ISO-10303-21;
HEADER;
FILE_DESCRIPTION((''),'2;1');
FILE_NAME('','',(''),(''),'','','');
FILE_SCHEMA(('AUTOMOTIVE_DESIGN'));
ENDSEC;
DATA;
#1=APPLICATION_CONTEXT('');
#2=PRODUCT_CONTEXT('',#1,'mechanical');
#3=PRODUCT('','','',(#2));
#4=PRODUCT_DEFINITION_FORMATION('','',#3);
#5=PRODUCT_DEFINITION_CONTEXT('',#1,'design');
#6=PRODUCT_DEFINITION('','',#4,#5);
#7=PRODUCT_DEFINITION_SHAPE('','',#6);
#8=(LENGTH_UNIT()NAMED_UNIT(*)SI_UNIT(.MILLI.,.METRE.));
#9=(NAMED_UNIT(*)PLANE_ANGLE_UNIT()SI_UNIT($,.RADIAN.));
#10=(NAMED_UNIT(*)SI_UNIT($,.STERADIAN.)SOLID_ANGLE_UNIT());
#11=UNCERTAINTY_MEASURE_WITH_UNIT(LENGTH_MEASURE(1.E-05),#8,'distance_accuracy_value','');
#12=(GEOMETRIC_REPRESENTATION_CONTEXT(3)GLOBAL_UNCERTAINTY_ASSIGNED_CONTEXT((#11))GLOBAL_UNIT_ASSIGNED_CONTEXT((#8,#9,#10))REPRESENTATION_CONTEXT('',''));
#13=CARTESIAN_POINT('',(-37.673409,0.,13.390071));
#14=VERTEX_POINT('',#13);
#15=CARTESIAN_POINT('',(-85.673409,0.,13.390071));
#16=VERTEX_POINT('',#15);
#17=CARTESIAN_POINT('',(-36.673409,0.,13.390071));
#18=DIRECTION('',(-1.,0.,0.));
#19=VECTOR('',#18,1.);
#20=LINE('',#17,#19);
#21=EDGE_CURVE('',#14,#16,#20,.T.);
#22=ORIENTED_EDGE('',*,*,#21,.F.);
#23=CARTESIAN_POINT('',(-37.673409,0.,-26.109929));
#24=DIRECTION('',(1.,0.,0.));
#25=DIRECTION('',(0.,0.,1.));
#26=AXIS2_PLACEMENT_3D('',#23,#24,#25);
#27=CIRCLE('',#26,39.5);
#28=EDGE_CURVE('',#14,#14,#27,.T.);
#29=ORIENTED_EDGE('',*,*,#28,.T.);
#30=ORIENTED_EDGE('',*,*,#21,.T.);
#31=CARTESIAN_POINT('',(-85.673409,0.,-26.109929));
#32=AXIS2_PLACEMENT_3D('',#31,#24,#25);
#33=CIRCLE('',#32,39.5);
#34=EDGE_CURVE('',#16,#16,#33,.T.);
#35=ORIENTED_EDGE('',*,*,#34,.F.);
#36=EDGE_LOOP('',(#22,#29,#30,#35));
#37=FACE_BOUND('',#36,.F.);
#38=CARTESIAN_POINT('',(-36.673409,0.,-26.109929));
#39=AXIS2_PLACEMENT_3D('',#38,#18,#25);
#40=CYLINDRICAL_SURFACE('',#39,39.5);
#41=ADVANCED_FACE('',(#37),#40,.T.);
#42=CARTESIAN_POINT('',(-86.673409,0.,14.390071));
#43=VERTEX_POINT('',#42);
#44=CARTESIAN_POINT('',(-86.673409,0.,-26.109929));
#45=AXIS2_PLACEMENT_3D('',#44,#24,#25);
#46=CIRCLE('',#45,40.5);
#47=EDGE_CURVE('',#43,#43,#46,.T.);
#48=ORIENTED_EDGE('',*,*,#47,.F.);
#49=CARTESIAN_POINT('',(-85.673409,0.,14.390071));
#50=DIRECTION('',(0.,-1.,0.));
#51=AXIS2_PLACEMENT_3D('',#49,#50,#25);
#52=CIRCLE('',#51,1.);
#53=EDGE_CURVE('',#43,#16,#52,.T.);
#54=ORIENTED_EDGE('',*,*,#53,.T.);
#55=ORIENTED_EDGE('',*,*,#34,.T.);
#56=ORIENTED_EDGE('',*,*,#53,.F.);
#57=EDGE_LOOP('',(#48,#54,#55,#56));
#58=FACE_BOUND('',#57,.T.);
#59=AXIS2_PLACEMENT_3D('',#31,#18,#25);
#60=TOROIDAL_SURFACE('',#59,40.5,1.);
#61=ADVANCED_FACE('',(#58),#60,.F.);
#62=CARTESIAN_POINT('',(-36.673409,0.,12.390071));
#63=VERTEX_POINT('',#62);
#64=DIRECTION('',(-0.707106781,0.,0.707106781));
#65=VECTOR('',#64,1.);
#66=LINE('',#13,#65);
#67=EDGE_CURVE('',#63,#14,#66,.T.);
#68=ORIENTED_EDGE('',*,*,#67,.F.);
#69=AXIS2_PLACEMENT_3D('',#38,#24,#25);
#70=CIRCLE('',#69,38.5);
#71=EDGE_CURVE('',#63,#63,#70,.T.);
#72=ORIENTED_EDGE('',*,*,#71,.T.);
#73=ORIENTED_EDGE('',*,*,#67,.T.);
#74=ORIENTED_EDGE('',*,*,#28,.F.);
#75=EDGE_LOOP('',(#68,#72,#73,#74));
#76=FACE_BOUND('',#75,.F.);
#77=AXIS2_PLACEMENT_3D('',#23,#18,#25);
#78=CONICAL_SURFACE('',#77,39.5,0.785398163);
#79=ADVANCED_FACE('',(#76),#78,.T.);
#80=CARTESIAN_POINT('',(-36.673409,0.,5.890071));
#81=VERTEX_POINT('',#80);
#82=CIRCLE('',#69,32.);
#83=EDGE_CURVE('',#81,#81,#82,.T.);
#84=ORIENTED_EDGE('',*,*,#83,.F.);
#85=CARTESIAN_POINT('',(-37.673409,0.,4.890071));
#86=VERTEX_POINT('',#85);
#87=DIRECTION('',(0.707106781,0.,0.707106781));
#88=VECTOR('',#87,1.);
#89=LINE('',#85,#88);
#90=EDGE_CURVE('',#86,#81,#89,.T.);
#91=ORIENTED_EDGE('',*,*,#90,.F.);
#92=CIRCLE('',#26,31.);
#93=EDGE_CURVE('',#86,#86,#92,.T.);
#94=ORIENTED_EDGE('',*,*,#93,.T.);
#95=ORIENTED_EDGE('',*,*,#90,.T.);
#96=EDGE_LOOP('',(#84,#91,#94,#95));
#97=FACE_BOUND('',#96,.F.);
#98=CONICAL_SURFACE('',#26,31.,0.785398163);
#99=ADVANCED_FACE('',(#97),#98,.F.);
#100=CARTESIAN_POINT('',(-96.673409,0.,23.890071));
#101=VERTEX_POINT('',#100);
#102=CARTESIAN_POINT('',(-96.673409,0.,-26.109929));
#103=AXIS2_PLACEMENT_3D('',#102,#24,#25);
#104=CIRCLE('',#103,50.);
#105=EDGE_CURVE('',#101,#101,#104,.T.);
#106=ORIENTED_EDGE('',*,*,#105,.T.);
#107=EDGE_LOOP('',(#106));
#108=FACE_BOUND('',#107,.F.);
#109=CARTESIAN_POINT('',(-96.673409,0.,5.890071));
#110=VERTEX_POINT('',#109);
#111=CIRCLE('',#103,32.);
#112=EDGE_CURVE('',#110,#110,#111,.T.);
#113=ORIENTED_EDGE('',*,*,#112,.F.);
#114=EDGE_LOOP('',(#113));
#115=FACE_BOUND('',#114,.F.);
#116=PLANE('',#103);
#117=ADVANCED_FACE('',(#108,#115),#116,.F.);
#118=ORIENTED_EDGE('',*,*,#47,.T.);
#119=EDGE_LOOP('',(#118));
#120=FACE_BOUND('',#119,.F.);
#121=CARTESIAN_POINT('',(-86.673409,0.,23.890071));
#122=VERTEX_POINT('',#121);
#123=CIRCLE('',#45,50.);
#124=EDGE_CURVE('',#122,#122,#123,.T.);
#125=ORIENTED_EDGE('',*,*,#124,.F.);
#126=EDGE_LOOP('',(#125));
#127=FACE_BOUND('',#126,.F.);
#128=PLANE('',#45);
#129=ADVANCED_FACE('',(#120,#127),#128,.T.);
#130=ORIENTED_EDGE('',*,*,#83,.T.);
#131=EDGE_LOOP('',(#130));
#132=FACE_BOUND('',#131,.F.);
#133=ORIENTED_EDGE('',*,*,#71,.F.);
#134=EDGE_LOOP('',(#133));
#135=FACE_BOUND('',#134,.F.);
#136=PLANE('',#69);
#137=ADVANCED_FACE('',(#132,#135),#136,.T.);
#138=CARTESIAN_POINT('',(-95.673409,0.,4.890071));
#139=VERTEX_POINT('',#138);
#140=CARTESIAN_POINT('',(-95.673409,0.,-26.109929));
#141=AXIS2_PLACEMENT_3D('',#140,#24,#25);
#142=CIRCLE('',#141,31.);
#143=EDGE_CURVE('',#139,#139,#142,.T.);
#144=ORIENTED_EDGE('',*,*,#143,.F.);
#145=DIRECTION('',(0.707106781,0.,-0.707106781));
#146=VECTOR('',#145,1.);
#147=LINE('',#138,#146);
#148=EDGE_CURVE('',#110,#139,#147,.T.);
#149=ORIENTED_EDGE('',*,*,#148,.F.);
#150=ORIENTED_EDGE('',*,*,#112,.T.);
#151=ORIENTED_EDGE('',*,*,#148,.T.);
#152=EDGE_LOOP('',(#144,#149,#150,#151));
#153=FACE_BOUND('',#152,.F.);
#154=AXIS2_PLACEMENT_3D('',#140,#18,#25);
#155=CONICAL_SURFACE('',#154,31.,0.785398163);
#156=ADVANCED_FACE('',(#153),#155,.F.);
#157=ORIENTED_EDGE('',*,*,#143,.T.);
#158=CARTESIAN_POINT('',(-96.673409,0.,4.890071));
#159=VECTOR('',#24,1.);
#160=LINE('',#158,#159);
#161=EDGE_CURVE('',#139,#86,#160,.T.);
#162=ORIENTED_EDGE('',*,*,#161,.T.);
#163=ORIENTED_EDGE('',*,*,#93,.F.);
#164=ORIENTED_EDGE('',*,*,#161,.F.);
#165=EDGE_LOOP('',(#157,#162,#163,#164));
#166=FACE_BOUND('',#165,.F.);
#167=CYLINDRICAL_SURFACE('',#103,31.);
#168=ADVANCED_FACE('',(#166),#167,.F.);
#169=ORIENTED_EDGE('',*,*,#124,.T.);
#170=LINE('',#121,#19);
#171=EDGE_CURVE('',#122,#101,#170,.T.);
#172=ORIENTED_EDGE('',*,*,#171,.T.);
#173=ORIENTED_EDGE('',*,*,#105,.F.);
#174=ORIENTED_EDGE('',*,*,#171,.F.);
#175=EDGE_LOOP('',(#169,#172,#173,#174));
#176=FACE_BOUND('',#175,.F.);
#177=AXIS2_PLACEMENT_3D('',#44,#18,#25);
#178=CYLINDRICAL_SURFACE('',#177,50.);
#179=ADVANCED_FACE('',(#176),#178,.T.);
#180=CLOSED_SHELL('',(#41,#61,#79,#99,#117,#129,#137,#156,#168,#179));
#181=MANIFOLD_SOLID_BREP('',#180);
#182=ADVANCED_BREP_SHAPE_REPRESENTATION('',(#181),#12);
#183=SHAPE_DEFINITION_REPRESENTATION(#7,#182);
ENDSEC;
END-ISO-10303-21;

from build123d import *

# Parameters (mm, degrees)
F2_SIZE = 1
F3_R    = 1


with BuildPart() as f1:
    # F0 (on Front) → F1 (revolve)
    with BuildSketch(Plane.XZ):
        Polygon((-96.6734094576, 23.8900707406), (-96.6734094576, 4.8900707406), (-36.6734094576, 4.8900707406), (-36.6734094576, 13.3900707406), (-86.6734094576, 13.3900707406), (-86.6734094576, 23.8900707406), align=None)
    revolve(axis=Axis((-29.0751103312, 0, -26.1099292594), (1, 0, 0)))

    # F2
    f2_edges = [f1.edges().sort_by_distance(p)[0] for p in [
        (-36.673409, 0, -57.109929),
        (-36.673409, 0, -65.609929),
        (-96.673409, 0, -57.109929),
    ]]
    chamfer(f2_edges, length=F2_SIZE)

    # F3
    f3_edges = [f1.edges().sort_by_distance(p)[0] for p in [
        (-86.673409, 0, -65.609929),
    ]]
    fillet(f3_edges, radius=F3_R)


solid = f1.part
